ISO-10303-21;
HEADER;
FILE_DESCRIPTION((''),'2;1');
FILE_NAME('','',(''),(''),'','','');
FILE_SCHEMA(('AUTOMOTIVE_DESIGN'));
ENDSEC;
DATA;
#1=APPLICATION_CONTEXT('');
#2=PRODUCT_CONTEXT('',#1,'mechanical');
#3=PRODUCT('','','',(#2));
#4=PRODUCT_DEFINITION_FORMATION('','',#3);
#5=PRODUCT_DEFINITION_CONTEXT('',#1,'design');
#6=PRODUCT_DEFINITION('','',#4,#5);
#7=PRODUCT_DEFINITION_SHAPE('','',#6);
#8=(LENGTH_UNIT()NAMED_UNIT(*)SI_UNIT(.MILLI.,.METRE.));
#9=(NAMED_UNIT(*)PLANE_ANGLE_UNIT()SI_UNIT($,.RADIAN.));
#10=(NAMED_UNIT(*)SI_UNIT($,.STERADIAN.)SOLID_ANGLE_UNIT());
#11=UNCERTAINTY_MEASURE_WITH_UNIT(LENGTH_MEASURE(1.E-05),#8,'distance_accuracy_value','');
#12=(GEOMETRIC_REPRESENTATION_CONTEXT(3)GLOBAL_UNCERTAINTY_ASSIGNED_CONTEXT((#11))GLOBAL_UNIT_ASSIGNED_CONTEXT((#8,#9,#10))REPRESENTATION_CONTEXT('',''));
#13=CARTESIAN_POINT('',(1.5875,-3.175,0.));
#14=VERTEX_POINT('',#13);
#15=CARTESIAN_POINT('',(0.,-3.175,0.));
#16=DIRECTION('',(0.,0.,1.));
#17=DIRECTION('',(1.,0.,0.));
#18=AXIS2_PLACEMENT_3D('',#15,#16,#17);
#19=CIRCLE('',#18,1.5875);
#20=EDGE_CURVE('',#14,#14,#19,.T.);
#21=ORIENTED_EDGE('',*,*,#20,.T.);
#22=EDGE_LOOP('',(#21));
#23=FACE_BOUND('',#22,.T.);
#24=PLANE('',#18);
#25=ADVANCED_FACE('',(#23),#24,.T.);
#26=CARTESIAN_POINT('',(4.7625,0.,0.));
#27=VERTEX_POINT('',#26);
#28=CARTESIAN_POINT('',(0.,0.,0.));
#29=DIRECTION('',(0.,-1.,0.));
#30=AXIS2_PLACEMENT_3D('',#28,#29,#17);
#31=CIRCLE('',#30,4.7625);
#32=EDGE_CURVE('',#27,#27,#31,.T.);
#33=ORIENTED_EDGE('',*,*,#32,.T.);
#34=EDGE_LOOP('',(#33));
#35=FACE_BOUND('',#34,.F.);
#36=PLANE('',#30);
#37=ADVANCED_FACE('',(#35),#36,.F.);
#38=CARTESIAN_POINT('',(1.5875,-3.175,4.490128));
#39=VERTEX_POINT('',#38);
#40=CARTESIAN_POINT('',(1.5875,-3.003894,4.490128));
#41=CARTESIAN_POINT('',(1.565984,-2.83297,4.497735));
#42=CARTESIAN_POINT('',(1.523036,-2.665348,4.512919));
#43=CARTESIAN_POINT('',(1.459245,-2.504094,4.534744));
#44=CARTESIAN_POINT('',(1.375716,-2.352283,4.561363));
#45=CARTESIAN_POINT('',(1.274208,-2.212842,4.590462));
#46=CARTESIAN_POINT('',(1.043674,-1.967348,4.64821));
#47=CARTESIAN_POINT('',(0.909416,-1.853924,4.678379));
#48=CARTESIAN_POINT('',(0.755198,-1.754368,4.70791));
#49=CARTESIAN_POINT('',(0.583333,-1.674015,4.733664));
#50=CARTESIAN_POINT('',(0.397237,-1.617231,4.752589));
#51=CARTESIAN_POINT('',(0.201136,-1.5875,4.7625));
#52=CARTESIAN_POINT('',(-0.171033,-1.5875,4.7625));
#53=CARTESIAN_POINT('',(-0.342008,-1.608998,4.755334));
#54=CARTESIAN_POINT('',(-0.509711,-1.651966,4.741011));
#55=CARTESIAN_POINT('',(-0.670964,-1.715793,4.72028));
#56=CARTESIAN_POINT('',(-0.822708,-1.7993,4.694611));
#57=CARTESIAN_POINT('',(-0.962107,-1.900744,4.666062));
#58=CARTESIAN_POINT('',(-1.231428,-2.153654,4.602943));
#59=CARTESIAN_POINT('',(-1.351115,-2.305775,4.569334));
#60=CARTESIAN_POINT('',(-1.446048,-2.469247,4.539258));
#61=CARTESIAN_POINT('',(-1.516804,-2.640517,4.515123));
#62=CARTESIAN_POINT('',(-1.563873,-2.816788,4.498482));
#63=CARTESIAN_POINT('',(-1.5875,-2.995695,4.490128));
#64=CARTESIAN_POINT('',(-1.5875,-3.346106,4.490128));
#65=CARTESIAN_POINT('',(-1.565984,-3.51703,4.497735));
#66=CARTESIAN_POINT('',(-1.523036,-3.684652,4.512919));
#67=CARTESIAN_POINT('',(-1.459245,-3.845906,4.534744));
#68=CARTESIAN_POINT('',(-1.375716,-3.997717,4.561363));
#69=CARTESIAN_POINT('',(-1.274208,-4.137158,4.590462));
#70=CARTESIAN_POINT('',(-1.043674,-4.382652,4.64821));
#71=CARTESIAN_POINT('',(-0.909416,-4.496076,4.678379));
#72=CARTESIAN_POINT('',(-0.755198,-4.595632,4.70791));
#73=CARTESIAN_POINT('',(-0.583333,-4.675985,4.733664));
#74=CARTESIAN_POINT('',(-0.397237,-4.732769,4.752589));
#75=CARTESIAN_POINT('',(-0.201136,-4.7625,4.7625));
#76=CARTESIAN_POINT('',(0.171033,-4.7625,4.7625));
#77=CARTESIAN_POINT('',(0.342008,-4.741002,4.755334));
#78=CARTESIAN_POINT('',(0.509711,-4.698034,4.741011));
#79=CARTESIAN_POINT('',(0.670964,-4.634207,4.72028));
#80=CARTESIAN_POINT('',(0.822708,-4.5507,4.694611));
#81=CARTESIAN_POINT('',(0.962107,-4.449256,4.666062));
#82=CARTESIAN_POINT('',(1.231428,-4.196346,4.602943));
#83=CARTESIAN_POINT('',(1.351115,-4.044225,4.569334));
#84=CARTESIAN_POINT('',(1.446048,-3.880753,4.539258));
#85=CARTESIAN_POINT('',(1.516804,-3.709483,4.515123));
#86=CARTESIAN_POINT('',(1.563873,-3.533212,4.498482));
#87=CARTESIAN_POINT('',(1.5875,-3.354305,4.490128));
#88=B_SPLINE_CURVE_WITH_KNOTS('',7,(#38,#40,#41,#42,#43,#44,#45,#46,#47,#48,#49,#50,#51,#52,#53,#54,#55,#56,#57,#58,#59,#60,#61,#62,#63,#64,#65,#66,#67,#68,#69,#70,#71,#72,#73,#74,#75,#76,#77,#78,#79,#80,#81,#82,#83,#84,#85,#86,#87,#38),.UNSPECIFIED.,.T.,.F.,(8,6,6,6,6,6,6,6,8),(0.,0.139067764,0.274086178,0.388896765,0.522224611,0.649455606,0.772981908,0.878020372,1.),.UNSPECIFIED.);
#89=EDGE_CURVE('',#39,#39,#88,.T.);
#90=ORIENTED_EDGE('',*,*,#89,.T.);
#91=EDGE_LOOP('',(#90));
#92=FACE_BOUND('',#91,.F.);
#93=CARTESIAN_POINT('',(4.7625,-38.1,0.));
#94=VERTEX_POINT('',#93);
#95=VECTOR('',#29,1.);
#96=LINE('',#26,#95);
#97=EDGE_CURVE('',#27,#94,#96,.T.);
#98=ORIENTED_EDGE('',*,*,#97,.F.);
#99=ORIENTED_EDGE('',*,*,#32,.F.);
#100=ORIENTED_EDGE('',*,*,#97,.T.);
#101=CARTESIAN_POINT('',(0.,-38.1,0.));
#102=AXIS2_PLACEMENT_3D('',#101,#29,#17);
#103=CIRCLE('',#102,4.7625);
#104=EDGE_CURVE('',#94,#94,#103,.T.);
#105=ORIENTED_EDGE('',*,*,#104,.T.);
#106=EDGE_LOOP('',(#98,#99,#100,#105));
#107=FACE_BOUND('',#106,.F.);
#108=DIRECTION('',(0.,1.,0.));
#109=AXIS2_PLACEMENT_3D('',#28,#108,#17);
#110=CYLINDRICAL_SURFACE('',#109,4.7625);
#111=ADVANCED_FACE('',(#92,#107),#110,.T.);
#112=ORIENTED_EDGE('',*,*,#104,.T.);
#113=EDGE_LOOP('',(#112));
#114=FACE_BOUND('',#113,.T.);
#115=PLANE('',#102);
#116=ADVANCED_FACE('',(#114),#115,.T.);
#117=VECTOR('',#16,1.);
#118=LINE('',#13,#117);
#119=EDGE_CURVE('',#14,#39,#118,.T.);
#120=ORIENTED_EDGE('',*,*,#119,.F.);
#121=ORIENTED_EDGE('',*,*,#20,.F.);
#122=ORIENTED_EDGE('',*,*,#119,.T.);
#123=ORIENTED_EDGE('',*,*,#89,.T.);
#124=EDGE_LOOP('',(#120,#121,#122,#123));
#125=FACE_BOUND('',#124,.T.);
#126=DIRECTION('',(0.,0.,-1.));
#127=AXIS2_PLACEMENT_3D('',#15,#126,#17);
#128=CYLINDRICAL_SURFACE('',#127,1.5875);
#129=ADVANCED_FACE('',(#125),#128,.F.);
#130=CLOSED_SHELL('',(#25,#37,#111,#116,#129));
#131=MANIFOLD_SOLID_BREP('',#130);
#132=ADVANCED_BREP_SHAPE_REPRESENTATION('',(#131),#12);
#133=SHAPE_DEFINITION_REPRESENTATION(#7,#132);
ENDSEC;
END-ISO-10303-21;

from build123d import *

# Parameters (mm, degrees)
F0_R     = 4.7625
F1_DEPTH = 38.1
F2_R     = 1.5875
F3_DEPTH = 25.4


with BuildPart() as f1:
    # F0 (on Front) → F1 (new body)
    with BuildSketch(Plane.XZ):
        Circle(F0_R)
    extrude(amount=F1_DEPTH)

    # F2 (on Top) → F3 (cut)
    with BuildSketch(Plane.XY):
        with Locations((0, -3.175)):
            Circle(F2_R)
    extrude(amount=F3_DEPTH, mode=Mode.SUBTRACT)


solid = f1.part
